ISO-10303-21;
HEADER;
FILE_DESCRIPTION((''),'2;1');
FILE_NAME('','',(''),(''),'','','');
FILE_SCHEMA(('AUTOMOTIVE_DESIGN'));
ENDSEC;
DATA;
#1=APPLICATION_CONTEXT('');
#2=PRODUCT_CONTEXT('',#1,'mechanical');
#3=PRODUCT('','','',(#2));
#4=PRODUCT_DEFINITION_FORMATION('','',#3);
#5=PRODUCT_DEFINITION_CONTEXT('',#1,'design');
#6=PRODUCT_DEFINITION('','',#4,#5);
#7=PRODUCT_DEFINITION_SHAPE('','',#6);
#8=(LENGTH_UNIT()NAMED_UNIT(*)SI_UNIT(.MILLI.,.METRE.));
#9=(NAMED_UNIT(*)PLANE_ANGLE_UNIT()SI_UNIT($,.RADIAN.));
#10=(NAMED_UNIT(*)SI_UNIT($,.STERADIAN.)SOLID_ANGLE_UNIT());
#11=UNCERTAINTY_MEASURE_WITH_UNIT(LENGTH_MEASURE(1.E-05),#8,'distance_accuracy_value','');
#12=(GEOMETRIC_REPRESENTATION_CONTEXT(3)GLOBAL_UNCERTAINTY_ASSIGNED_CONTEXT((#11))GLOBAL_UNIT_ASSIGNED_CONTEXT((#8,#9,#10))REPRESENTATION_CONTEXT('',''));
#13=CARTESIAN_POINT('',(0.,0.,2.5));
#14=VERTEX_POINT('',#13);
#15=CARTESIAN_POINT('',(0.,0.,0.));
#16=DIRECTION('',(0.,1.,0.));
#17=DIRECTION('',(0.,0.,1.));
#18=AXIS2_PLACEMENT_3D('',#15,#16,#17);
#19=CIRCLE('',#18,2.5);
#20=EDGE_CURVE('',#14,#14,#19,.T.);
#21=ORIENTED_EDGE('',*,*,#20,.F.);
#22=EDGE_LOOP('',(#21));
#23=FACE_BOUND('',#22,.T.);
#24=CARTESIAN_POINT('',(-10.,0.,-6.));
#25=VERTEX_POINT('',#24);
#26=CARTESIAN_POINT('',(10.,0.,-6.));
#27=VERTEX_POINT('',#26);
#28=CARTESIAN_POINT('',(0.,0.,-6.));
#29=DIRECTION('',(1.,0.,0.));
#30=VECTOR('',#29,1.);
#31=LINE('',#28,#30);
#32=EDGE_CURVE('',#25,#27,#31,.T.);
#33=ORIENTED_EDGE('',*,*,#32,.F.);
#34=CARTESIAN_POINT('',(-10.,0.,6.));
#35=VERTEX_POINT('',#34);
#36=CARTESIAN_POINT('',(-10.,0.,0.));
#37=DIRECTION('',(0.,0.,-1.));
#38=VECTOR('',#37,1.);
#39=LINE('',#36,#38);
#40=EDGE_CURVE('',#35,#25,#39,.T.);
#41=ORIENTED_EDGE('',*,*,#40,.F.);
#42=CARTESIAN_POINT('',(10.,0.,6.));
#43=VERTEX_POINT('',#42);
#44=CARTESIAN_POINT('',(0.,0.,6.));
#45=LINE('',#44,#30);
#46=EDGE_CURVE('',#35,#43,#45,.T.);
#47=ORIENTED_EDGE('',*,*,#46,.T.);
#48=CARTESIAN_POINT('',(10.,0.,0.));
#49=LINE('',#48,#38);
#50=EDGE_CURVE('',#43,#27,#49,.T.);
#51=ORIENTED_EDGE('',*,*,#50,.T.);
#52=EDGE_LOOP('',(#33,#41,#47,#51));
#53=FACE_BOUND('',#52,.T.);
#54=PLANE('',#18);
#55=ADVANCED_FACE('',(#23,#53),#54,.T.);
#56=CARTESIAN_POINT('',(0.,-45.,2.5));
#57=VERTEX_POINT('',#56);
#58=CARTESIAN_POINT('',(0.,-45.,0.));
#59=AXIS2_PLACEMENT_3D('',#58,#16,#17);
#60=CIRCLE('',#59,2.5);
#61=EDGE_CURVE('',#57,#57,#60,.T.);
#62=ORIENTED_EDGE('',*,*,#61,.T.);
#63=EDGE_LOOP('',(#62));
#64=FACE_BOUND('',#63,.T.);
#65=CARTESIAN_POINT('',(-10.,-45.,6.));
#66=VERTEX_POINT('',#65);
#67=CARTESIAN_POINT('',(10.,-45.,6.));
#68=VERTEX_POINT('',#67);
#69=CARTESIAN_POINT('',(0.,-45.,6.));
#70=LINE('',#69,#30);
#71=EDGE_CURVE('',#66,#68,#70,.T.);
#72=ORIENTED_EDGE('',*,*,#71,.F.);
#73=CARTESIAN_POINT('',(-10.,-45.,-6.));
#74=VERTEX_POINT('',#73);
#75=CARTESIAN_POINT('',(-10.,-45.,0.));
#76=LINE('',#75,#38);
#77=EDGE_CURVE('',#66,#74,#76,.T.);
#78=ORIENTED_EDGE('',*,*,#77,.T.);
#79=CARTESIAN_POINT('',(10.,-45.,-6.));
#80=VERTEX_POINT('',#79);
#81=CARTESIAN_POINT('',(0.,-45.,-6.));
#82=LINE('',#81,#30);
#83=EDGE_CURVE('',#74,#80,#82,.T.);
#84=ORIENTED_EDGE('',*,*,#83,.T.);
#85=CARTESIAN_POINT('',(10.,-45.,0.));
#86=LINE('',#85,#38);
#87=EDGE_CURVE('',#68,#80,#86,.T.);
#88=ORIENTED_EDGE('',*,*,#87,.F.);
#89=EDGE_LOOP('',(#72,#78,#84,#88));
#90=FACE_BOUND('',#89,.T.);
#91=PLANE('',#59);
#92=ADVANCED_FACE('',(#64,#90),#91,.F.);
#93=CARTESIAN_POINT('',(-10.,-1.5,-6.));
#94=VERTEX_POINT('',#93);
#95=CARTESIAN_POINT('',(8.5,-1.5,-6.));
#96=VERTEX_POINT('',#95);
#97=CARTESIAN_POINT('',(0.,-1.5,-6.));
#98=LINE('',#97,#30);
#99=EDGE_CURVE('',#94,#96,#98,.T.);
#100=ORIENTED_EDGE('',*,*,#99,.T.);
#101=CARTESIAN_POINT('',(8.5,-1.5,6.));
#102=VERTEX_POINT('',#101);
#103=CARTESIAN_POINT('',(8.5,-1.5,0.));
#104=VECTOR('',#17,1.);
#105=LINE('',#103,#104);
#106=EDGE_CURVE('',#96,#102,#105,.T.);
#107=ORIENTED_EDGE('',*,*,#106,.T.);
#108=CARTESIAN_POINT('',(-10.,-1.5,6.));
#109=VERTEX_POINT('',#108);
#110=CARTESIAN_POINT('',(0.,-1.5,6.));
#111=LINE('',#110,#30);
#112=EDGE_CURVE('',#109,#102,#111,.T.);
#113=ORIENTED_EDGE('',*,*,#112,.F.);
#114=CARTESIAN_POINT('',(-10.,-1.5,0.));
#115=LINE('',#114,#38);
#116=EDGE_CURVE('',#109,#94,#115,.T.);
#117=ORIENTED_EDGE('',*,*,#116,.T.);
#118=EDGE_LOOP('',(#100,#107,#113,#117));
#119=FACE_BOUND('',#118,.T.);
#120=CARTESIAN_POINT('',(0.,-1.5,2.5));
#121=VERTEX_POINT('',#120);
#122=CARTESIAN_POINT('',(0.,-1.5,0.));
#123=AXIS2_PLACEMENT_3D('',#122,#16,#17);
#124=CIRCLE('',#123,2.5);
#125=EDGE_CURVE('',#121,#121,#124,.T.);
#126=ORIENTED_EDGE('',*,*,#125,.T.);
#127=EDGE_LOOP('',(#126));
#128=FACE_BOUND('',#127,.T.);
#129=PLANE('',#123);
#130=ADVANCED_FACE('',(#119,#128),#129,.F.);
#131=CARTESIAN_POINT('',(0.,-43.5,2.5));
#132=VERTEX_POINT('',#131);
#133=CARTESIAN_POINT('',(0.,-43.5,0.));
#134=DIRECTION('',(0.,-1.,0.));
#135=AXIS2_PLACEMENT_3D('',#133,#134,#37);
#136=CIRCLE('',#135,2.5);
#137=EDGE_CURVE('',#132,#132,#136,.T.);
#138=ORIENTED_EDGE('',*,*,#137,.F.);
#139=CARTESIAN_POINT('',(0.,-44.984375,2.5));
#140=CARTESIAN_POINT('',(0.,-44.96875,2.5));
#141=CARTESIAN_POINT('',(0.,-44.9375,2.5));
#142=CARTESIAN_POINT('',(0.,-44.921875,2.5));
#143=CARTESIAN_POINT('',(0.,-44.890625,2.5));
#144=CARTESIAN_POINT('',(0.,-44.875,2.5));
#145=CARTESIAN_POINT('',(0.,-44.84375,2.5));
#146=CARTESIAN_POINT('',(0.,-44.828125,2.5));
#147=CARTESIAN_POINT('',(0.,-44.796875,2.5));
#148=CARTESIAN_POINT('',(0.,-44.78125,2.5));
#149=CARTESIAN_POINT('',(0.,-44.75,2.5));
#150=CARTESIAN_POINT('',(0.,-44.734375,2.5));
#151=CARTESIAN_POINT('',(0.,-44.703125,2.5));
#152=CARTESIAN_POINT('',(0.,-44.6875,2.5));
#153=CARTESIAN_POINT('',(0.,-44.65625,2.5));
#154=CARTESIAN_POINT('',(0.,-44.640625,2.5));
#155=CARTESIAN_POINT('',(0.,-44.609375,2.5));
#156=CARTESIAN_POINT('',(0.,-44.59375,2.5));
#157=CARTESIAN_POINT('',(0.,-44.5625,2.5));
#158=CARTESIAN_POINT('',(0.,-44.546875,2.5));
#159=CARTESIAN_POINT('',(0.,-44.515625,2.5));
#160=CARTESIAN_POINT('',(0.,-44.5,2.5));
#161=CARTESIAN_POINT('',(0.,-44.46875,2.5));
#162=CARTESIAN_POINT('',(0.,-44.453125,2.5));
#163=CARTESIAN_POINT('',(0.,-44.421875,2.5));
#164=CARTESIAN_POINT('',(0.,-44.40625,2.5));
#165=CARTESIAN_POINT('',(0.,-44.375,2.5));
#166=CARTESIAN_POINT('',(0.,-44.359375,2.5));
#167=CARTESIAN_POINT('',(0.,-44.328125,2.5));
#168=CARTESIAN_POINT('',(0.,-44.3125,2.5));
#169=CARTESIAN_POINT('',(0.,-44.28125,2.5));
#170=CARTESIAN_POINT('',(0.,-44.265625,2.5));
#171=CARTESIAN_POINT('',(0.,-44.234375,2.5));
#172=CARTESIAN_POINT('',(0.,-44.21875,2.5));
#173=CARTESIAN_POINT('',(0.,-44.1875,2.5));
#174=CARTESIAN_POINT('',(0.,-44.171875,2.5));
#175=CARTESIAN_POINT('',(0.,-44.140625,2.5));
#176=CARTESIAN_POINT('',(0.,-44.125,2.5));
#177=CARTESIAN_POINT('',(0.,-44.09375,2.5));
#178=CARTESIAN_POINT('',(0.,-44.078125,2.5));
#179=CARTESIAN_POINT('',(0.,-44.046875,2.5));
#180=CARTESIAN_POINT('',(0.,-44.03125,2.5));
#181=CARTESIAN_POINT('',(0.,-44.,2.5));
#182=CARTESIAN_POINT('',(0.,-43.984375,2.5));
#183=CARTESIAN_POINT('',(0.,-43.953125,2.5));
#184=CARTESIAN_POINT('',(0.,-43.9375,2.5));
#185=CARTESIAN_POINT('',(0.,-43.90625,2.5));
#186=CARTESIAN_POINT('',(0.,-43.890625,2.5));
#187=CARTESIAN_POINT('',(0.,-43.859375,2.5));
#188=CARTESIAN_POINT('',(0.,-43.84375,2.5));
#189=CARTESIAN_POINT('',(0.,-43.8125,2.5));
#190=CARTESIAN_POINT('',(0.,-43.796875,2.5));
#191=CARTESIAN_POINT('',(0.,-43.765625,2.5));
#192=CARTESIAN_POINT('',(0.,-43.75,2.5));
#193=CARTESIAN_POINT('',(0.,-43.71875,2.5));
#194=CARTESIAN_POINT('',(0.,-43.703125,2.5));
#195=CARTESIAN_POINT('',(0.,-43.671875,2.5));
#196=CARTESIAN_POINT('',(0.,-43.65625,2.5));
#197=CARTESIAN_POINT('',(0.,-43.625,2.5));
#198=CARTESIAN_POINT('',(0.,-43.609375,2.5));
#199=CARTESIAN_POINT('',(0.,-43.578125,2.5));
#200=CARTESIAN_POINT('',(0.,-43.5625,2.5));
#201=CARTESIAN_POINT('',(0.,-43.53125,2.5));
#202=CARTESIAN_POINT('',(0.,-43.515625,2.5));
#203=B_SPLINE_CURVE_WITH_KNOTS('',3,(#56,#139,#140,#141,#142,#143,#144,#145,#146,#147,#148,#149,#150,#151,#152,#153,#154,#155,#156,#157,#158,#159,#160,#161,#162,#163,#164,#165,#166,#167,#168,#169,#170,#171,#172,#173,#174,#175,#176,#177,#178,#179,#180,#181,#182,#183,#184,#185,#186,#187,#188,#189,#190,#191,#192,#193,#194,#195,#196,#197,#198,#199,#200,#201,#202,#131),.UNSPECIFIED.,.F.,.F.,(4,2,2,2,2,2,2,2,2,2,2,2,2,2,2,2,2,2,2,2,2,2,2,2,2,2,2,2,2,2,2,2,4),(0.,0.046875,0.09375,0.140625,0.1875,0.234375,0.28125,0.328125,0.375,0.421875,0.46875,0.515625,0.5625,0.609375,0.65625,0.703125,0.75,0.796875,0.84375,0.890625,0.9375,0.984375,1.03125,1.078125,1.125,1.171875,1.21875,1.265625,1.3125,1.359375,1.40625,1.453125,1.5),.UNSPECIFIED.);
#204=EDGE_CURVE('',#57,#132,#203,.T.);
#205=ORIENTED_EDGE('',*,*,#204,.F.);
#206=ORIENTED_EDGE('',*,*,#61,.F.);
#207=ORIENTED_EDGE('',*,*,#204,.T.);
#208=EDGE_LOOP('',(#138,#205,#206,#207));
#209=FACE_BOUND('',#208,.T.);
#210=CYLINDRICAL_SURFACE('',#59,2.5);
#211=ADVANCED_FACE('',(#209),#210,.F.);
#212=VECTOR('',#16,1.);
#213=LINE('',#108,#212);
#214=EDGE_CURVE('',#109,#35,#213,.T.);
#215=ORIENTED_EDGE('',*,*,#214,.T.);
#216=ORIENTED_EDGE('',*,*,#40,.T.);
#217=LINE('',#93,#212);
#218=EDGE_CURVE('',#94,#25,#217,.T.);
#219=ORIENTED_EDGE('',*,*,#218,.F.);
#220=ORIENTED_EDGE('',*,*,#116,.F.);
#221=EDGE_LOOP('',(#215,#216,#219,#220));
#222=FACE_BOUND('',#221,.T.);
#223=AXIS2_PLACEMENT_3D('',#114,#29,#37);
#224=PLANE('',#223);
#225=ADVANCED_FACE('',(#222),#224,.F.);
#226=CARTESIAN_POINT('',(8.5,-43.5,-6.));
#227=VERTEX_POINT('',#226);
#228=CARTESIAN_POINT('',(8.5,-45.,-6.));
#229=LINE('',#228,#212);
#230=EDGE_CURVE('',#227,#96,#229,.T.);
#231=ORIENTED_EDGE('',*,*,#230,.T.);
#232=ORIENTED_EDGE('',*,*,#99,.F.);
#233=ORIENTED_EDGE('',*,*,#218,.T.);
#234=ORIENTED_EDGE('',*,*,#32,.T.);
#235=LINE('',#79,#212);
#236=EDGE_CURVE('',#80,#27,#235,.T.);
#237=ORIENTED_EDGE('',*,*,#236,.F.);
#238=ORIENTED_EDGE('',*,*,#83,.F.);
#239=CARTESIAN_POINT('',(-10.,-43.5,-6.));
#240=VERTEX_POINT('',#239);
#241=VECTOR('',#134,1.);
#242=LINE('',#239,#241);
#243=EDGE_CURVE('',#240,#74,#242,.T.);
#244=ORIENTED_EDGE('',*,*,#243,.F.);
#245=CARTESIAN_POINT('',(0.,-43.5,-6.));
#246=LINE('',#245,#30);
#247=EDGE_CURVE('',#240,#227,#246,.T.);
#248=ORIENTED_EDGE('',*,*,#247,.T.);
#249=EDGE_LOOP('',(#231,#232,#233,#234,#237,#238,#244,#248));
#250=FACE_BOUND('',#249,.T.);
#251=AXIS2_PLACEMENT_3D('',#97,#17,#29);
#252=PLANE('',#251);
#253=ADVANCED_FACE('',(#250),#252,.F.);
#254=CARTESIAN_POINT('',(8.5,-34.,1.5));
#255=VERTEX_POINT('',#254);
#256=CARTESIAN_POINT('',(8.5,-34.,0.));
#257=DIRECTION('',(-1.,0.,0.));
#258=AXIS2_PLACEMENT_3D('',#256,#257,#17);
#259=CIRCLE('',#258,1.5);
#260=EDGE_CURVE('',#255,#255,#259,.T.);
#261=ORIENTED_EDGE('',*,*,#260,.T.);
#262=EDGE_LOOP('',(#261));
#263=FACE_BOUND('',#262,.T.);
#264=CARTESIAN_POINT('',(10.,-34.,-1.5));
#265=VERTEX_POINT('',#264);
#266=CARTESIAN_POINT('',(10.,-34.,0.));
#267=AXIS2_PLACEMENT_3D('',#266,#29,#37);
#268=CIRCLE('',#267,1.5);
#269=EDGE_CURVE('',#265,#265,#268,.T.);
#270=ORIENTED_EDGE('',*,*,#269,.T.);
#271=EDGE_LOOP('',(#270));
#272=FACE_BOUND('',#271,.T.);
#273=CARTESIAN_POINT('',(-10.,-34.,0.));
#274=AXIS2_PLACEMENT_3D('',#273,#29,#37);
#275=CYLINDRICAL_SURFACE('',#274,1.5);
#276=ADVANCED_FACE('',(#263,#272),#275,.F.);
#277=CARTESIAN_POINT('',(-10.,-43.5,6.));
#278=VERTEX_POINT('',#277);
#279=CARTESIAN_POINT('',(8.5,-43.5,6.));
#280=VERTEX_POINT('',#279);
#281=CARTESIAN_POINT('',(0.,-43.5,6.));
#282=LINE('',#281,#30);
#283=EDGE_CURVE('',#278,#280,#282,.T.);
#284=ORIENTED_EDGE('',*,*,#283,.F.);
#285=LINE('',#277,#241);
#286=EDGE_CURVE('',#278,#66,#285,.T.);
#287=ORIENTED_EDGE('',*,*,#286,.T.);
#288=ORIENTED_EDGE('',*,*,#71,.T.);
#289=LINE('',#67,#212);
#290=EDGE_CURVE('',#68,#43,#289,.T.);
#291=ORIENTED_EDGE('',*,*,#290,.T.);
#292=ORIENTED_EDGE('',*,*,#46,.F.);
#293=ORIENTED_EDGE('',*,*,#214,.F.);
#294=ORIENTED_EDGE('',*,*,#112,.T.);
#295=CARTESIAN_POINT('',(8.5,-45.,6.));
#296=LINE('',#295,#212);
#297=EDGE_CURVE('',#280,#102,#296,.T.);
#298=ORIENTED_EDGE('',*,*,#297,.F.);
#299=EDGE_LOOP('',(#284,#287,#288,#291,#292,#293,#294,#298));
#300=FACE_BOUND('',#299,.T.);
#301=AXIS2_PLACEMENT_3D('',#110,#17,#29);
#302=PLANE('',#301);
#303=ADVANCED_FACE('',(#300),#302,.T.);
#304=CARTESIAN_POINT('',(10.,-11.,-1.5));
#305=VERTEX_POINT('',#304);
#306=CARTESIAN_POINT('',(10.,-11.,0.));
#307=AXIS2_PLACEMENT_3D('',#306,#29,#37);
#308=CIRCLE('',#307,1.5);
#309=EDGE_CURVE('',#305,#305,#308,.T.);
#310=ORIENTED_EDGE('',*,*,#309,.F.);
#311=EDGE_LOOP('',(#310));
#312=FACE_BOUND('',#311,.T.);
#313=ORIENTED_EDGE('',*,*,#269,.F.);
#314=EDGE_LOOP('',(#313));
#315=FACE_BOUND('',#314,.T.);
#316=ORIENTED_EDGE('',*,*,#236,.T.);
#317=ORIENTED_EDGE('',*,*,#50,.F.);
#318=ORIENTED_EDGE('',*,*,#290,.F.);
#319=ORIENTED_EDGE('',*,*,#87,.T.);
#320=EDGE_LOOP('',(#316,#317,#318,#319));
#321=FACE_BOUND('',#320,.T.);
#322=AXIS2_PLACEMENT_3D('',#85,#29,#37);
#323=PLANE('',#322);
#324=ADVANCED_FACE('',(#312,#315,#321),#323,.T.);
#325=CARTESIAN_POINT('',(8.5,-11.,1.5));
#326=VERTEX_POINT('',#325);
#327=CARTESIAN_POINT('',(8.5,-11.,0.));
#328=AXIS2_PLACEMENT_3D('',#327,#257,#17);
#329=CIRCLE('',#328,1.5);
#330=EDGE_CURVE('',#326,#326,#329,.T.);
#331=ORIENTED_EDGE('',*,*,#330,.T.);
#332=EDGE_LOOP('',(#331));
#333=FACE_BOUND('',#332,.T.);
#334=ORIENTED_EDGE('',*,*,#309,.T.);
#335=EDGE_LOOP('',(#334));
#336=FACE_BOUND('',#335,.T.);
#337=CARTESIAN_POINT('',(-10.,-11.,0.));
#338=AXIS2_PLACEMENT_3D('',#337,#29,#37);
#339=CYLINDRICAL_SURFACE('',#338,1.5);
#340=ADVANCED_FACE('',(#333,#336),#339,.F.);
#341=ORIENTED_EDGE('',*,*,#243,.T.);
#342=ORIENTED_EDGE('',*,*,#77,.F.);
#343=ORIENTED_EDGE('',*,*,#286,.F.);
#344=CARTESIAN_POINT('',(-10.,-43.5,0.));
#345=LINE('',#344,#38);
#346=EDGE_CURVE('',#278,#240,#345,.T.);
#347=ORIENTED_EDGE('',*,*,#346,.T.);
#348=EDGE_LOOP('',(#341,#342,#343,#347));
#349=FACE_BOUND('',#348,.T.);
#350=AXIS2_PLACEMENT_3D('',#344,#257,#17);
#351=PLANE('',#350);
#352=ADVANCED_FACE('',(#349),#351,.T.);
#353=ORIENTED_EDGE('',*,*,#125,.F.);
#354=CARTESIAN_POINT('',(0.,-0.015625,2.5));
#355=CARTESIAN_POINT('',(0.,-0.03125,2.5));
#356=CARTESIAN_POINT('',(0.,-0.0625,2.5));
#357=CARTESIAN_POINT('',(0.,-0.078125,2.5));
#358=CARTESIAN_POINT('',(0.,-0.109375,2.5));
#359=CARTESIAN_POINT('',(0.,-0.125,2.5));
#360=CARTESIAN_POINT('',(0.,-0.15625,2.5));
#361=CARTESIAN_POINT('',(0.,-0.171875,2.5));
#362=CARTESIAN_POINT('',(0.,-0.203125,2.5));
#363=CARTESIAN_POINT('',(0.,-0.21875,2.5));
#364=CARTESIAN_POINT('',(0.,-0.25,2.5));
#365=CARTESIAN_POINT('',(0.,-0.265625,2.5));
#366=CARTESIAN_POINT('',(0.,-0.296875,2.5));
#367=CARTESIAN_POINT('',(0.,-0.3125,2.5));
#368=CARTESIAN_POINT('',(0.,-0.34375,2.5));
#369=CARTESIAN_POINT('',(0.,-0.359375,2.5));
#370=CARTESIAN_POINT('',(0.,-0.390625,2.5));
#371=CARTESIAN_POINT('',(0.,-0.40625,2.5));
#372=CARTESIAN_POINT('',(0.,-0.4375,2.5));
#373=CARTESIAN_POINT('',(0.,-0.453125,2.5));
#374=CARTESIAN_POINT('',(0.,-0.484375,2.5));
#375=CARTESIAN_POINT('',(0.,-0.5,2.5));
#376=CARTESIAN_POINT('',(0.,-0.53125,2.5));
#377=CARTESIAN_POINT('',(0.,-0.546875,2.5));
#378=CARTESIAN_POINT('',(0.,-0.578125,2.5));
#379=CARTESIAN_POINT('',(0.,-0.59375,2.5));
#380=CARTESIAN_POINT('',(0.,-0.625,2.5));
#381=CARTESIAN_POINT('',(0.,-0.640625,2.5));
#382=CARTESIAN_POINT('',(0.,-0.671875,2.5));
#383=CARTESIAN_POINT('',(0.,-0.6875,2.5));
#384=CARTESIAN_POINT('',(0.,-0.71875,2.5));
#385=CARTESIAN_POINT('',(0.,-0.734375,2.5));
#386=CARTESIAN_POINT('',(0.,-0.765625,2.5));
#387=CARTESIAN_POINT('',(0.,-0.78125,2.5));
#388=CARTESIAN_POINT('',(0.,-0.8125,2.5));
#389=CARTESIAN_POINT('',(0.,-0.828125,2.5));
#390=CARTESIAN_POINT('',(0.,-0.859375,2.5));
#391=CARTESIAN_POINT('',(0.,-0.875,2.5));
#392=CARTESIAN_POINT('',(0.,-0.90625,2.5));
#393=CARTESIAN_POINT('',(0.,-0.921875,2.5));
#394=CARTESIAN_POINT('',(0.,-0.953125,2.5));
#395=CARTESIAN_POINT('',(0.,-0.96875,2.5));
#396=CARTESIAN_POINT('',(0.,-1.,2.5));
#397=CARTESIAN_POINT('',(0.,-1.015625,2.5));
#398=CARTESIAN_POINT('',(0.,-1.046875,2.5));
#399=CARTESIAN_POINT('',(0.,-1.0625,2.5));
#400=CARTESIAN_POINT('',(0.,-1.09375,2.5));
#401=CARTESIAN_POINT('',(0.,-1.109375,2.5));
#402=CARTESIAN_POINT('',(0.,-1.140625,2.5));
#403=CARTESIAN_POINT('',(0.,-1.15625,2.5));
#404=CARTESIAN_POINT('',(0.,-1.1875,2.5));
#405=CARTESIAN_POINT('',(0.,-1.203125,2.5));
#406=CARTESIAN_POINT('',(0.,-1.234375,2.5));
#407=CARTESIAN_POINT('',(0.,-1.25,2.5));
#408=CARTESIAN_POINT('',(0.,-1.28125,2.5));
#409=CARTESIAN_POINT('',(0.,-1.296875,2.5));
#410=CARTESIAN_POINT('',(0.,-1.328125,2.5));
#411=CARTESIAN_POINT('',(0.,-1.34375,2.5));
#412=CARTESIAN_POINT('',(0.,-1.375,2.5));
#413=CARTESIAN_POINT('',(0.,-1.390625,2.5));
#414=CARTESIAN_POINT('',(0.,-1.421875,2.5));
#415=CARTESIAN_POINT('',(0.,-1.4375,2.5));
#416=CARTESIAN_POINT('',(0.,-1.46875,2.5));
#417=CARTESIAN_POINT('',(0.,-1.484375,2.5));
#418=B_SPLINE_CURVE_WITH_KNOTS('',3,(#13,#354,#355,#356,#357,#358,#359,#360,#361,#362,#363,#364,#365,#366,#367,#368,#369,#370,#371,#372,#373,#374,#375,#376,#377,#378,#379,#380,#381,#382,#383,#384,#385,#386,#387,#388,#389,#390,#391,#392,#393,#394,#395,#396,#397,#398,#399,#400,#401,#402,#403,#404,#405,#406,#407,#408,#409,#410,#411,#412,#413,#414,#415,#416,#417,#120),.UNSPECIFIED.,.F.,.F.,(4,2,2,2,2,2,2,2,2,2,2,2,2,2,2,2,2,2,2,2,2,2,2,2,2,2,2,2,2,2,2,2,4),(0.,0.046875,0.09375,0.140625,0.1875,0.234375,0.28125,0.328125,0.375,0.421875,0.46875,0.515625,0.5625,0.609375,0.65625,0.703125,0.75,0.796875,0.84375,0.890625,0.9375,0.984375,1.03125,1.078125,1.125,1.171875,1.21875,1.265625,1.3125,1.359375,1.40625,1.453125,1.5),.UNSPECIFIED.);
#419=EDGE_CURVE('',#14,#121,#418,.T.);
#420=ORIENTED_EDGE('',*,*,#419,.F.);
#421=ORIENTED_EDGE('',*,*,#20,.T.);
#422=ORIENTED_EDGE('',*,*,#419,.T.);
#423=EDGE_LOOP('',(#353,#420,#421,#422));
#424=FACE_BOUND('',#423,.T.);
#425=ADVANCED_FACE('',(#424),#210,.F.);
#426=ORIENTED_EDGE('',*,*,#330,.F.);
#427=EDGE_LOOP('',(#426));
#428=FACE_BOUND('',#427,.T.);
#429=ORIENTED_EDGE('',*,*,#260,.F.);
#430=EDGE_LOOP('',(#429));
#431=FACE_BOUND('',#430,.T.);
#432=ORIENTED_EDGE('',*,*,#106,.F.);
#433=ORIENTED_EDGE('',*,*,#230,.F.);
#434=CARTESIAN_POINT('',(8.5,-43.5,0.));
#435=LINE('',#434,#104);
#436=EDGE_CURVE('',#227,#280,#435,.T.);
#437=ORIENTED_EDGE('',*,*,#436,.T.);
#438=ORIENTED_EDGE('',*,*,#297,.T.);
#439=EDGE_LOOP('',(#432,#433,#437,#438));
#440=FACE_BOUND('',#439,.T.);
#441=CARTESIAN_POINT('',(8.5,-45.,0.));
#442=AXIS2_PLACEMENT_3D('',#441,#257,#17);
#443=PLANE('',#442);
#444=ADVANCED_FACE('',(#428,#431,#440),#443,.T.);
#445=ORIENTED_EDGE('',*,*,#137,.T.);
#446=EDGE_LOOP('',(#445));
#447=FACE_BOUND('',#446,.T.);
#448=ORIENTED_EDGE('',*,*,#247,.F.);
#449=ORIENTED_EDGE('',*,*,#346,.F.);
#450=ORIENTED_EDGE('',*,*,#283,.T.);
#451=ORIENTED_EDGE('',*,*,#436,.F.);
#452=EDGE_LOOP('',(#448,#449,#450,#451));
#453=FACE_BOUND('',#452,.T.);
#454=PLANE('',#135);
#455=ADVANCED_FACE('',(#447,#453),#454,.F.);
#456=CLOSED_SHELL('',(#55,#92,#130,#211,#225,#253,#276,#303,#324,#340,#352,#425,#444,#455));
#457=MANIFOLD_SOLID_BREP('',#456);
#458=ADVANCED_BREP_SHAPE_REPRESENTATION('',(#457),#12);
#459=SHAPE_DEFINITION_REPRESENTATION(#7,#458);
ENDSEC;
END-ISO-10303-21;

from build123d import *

# Parameters (mm, degrees)
SKETCH1_W           = 18.5
SKETCH1_H           = 12
BOSS_EXTRUDE1_DEPTH = 1.5
SKETCH1_3_W         = 1.5
SKETCH1_3_H         = 12
BOSS_EXTRUDE2_DEPTH = 45
SKETCH2_R           = 1.5
CUT_EXTRUDE1_DEPTH  = 50.608467019
BOSS_EXTRUDE3_START = -45
SKETCH1_4_W         = 18.5
SKETCH1_4_H         = 12
BOSS_EXTRUDE3_DEPTH = 1.5
SKETCH3_R           = 2.5
CUT_EXTRUDE2_DEPTH  = 47.486557197


with BuildPart() as part:
    # Sketch1 → Boss-Extrude1 (new body)
    with BuildSketch(Plane(origin=(0, 0, 0), x_dir=(1, 0, 0), z_dir=(0, 1, 0))):
        with Locations((-0.75, 0)):
            Rectangle(SKETCH1_W, SKETCH1_H)
    extrude(amount=-BOSS_EXTRUDE1_DEPTH)

    # Sketch1<3> → Boss-Extrude2 (add)
    with BuildSketch(Plane(origin=(0, 0, 0), x_dir=(1, 0, 0), z_dir=(0, 1, 0))):
        with Locations((9.25, 0)):
            Rectangle(SKETCH1_3_W, SKETCH1_3_H)
    extrude(amount=-BOSS_EXTRUDE2_DEPTH)

    # Sketch2 → Cut-Extrude1 (cut, through all)
    with BuildSketch(Plane(origin=(10, 0, 0), x_dir=(0, 0, -1), z_dir=(1, 0, 0))):
        with Locations((0, -34)):
            Circle(SKETCH2_R)
        with Locations((0, -11)):
            Circle(SKETCH2_R)
    extrude(amount=-CUT_EXTRUDE1_DEPTH, mode=Mode.SUBTRACT)

    # Sketch1<4> → Boss-Extrude3 (add)
    with BuildSketch(Plane(origin=(0, 0, 0), x_dir=(1, 0, 0), z_dir=(0, 1, 0)).offset(BOSS_EXTRUDE3_START)):
        with Locations((-0.75, 0)):
            Rectangle(SKETCH1_4_W, SKETCH1_4_H)
    extrude(amount=BOSS_EXTRUDE3_DEPTH)

    # Sketch3 → Cut-Extrude2 (cut, through all)
    with BuildSketch(Plane(origin=(0, 0, 0), x_dir=(1, 0, 0), z_dir=(0, 1, 0))):
        with Locations(Location((0, 0, 0), (0, 0, 270))):
            Circle(SKETCH3_R)
    extrude(amount=-CUT_EXTRUDE2_DEPTH, mode=Mode.SUBTRACT)


solid = part.part
